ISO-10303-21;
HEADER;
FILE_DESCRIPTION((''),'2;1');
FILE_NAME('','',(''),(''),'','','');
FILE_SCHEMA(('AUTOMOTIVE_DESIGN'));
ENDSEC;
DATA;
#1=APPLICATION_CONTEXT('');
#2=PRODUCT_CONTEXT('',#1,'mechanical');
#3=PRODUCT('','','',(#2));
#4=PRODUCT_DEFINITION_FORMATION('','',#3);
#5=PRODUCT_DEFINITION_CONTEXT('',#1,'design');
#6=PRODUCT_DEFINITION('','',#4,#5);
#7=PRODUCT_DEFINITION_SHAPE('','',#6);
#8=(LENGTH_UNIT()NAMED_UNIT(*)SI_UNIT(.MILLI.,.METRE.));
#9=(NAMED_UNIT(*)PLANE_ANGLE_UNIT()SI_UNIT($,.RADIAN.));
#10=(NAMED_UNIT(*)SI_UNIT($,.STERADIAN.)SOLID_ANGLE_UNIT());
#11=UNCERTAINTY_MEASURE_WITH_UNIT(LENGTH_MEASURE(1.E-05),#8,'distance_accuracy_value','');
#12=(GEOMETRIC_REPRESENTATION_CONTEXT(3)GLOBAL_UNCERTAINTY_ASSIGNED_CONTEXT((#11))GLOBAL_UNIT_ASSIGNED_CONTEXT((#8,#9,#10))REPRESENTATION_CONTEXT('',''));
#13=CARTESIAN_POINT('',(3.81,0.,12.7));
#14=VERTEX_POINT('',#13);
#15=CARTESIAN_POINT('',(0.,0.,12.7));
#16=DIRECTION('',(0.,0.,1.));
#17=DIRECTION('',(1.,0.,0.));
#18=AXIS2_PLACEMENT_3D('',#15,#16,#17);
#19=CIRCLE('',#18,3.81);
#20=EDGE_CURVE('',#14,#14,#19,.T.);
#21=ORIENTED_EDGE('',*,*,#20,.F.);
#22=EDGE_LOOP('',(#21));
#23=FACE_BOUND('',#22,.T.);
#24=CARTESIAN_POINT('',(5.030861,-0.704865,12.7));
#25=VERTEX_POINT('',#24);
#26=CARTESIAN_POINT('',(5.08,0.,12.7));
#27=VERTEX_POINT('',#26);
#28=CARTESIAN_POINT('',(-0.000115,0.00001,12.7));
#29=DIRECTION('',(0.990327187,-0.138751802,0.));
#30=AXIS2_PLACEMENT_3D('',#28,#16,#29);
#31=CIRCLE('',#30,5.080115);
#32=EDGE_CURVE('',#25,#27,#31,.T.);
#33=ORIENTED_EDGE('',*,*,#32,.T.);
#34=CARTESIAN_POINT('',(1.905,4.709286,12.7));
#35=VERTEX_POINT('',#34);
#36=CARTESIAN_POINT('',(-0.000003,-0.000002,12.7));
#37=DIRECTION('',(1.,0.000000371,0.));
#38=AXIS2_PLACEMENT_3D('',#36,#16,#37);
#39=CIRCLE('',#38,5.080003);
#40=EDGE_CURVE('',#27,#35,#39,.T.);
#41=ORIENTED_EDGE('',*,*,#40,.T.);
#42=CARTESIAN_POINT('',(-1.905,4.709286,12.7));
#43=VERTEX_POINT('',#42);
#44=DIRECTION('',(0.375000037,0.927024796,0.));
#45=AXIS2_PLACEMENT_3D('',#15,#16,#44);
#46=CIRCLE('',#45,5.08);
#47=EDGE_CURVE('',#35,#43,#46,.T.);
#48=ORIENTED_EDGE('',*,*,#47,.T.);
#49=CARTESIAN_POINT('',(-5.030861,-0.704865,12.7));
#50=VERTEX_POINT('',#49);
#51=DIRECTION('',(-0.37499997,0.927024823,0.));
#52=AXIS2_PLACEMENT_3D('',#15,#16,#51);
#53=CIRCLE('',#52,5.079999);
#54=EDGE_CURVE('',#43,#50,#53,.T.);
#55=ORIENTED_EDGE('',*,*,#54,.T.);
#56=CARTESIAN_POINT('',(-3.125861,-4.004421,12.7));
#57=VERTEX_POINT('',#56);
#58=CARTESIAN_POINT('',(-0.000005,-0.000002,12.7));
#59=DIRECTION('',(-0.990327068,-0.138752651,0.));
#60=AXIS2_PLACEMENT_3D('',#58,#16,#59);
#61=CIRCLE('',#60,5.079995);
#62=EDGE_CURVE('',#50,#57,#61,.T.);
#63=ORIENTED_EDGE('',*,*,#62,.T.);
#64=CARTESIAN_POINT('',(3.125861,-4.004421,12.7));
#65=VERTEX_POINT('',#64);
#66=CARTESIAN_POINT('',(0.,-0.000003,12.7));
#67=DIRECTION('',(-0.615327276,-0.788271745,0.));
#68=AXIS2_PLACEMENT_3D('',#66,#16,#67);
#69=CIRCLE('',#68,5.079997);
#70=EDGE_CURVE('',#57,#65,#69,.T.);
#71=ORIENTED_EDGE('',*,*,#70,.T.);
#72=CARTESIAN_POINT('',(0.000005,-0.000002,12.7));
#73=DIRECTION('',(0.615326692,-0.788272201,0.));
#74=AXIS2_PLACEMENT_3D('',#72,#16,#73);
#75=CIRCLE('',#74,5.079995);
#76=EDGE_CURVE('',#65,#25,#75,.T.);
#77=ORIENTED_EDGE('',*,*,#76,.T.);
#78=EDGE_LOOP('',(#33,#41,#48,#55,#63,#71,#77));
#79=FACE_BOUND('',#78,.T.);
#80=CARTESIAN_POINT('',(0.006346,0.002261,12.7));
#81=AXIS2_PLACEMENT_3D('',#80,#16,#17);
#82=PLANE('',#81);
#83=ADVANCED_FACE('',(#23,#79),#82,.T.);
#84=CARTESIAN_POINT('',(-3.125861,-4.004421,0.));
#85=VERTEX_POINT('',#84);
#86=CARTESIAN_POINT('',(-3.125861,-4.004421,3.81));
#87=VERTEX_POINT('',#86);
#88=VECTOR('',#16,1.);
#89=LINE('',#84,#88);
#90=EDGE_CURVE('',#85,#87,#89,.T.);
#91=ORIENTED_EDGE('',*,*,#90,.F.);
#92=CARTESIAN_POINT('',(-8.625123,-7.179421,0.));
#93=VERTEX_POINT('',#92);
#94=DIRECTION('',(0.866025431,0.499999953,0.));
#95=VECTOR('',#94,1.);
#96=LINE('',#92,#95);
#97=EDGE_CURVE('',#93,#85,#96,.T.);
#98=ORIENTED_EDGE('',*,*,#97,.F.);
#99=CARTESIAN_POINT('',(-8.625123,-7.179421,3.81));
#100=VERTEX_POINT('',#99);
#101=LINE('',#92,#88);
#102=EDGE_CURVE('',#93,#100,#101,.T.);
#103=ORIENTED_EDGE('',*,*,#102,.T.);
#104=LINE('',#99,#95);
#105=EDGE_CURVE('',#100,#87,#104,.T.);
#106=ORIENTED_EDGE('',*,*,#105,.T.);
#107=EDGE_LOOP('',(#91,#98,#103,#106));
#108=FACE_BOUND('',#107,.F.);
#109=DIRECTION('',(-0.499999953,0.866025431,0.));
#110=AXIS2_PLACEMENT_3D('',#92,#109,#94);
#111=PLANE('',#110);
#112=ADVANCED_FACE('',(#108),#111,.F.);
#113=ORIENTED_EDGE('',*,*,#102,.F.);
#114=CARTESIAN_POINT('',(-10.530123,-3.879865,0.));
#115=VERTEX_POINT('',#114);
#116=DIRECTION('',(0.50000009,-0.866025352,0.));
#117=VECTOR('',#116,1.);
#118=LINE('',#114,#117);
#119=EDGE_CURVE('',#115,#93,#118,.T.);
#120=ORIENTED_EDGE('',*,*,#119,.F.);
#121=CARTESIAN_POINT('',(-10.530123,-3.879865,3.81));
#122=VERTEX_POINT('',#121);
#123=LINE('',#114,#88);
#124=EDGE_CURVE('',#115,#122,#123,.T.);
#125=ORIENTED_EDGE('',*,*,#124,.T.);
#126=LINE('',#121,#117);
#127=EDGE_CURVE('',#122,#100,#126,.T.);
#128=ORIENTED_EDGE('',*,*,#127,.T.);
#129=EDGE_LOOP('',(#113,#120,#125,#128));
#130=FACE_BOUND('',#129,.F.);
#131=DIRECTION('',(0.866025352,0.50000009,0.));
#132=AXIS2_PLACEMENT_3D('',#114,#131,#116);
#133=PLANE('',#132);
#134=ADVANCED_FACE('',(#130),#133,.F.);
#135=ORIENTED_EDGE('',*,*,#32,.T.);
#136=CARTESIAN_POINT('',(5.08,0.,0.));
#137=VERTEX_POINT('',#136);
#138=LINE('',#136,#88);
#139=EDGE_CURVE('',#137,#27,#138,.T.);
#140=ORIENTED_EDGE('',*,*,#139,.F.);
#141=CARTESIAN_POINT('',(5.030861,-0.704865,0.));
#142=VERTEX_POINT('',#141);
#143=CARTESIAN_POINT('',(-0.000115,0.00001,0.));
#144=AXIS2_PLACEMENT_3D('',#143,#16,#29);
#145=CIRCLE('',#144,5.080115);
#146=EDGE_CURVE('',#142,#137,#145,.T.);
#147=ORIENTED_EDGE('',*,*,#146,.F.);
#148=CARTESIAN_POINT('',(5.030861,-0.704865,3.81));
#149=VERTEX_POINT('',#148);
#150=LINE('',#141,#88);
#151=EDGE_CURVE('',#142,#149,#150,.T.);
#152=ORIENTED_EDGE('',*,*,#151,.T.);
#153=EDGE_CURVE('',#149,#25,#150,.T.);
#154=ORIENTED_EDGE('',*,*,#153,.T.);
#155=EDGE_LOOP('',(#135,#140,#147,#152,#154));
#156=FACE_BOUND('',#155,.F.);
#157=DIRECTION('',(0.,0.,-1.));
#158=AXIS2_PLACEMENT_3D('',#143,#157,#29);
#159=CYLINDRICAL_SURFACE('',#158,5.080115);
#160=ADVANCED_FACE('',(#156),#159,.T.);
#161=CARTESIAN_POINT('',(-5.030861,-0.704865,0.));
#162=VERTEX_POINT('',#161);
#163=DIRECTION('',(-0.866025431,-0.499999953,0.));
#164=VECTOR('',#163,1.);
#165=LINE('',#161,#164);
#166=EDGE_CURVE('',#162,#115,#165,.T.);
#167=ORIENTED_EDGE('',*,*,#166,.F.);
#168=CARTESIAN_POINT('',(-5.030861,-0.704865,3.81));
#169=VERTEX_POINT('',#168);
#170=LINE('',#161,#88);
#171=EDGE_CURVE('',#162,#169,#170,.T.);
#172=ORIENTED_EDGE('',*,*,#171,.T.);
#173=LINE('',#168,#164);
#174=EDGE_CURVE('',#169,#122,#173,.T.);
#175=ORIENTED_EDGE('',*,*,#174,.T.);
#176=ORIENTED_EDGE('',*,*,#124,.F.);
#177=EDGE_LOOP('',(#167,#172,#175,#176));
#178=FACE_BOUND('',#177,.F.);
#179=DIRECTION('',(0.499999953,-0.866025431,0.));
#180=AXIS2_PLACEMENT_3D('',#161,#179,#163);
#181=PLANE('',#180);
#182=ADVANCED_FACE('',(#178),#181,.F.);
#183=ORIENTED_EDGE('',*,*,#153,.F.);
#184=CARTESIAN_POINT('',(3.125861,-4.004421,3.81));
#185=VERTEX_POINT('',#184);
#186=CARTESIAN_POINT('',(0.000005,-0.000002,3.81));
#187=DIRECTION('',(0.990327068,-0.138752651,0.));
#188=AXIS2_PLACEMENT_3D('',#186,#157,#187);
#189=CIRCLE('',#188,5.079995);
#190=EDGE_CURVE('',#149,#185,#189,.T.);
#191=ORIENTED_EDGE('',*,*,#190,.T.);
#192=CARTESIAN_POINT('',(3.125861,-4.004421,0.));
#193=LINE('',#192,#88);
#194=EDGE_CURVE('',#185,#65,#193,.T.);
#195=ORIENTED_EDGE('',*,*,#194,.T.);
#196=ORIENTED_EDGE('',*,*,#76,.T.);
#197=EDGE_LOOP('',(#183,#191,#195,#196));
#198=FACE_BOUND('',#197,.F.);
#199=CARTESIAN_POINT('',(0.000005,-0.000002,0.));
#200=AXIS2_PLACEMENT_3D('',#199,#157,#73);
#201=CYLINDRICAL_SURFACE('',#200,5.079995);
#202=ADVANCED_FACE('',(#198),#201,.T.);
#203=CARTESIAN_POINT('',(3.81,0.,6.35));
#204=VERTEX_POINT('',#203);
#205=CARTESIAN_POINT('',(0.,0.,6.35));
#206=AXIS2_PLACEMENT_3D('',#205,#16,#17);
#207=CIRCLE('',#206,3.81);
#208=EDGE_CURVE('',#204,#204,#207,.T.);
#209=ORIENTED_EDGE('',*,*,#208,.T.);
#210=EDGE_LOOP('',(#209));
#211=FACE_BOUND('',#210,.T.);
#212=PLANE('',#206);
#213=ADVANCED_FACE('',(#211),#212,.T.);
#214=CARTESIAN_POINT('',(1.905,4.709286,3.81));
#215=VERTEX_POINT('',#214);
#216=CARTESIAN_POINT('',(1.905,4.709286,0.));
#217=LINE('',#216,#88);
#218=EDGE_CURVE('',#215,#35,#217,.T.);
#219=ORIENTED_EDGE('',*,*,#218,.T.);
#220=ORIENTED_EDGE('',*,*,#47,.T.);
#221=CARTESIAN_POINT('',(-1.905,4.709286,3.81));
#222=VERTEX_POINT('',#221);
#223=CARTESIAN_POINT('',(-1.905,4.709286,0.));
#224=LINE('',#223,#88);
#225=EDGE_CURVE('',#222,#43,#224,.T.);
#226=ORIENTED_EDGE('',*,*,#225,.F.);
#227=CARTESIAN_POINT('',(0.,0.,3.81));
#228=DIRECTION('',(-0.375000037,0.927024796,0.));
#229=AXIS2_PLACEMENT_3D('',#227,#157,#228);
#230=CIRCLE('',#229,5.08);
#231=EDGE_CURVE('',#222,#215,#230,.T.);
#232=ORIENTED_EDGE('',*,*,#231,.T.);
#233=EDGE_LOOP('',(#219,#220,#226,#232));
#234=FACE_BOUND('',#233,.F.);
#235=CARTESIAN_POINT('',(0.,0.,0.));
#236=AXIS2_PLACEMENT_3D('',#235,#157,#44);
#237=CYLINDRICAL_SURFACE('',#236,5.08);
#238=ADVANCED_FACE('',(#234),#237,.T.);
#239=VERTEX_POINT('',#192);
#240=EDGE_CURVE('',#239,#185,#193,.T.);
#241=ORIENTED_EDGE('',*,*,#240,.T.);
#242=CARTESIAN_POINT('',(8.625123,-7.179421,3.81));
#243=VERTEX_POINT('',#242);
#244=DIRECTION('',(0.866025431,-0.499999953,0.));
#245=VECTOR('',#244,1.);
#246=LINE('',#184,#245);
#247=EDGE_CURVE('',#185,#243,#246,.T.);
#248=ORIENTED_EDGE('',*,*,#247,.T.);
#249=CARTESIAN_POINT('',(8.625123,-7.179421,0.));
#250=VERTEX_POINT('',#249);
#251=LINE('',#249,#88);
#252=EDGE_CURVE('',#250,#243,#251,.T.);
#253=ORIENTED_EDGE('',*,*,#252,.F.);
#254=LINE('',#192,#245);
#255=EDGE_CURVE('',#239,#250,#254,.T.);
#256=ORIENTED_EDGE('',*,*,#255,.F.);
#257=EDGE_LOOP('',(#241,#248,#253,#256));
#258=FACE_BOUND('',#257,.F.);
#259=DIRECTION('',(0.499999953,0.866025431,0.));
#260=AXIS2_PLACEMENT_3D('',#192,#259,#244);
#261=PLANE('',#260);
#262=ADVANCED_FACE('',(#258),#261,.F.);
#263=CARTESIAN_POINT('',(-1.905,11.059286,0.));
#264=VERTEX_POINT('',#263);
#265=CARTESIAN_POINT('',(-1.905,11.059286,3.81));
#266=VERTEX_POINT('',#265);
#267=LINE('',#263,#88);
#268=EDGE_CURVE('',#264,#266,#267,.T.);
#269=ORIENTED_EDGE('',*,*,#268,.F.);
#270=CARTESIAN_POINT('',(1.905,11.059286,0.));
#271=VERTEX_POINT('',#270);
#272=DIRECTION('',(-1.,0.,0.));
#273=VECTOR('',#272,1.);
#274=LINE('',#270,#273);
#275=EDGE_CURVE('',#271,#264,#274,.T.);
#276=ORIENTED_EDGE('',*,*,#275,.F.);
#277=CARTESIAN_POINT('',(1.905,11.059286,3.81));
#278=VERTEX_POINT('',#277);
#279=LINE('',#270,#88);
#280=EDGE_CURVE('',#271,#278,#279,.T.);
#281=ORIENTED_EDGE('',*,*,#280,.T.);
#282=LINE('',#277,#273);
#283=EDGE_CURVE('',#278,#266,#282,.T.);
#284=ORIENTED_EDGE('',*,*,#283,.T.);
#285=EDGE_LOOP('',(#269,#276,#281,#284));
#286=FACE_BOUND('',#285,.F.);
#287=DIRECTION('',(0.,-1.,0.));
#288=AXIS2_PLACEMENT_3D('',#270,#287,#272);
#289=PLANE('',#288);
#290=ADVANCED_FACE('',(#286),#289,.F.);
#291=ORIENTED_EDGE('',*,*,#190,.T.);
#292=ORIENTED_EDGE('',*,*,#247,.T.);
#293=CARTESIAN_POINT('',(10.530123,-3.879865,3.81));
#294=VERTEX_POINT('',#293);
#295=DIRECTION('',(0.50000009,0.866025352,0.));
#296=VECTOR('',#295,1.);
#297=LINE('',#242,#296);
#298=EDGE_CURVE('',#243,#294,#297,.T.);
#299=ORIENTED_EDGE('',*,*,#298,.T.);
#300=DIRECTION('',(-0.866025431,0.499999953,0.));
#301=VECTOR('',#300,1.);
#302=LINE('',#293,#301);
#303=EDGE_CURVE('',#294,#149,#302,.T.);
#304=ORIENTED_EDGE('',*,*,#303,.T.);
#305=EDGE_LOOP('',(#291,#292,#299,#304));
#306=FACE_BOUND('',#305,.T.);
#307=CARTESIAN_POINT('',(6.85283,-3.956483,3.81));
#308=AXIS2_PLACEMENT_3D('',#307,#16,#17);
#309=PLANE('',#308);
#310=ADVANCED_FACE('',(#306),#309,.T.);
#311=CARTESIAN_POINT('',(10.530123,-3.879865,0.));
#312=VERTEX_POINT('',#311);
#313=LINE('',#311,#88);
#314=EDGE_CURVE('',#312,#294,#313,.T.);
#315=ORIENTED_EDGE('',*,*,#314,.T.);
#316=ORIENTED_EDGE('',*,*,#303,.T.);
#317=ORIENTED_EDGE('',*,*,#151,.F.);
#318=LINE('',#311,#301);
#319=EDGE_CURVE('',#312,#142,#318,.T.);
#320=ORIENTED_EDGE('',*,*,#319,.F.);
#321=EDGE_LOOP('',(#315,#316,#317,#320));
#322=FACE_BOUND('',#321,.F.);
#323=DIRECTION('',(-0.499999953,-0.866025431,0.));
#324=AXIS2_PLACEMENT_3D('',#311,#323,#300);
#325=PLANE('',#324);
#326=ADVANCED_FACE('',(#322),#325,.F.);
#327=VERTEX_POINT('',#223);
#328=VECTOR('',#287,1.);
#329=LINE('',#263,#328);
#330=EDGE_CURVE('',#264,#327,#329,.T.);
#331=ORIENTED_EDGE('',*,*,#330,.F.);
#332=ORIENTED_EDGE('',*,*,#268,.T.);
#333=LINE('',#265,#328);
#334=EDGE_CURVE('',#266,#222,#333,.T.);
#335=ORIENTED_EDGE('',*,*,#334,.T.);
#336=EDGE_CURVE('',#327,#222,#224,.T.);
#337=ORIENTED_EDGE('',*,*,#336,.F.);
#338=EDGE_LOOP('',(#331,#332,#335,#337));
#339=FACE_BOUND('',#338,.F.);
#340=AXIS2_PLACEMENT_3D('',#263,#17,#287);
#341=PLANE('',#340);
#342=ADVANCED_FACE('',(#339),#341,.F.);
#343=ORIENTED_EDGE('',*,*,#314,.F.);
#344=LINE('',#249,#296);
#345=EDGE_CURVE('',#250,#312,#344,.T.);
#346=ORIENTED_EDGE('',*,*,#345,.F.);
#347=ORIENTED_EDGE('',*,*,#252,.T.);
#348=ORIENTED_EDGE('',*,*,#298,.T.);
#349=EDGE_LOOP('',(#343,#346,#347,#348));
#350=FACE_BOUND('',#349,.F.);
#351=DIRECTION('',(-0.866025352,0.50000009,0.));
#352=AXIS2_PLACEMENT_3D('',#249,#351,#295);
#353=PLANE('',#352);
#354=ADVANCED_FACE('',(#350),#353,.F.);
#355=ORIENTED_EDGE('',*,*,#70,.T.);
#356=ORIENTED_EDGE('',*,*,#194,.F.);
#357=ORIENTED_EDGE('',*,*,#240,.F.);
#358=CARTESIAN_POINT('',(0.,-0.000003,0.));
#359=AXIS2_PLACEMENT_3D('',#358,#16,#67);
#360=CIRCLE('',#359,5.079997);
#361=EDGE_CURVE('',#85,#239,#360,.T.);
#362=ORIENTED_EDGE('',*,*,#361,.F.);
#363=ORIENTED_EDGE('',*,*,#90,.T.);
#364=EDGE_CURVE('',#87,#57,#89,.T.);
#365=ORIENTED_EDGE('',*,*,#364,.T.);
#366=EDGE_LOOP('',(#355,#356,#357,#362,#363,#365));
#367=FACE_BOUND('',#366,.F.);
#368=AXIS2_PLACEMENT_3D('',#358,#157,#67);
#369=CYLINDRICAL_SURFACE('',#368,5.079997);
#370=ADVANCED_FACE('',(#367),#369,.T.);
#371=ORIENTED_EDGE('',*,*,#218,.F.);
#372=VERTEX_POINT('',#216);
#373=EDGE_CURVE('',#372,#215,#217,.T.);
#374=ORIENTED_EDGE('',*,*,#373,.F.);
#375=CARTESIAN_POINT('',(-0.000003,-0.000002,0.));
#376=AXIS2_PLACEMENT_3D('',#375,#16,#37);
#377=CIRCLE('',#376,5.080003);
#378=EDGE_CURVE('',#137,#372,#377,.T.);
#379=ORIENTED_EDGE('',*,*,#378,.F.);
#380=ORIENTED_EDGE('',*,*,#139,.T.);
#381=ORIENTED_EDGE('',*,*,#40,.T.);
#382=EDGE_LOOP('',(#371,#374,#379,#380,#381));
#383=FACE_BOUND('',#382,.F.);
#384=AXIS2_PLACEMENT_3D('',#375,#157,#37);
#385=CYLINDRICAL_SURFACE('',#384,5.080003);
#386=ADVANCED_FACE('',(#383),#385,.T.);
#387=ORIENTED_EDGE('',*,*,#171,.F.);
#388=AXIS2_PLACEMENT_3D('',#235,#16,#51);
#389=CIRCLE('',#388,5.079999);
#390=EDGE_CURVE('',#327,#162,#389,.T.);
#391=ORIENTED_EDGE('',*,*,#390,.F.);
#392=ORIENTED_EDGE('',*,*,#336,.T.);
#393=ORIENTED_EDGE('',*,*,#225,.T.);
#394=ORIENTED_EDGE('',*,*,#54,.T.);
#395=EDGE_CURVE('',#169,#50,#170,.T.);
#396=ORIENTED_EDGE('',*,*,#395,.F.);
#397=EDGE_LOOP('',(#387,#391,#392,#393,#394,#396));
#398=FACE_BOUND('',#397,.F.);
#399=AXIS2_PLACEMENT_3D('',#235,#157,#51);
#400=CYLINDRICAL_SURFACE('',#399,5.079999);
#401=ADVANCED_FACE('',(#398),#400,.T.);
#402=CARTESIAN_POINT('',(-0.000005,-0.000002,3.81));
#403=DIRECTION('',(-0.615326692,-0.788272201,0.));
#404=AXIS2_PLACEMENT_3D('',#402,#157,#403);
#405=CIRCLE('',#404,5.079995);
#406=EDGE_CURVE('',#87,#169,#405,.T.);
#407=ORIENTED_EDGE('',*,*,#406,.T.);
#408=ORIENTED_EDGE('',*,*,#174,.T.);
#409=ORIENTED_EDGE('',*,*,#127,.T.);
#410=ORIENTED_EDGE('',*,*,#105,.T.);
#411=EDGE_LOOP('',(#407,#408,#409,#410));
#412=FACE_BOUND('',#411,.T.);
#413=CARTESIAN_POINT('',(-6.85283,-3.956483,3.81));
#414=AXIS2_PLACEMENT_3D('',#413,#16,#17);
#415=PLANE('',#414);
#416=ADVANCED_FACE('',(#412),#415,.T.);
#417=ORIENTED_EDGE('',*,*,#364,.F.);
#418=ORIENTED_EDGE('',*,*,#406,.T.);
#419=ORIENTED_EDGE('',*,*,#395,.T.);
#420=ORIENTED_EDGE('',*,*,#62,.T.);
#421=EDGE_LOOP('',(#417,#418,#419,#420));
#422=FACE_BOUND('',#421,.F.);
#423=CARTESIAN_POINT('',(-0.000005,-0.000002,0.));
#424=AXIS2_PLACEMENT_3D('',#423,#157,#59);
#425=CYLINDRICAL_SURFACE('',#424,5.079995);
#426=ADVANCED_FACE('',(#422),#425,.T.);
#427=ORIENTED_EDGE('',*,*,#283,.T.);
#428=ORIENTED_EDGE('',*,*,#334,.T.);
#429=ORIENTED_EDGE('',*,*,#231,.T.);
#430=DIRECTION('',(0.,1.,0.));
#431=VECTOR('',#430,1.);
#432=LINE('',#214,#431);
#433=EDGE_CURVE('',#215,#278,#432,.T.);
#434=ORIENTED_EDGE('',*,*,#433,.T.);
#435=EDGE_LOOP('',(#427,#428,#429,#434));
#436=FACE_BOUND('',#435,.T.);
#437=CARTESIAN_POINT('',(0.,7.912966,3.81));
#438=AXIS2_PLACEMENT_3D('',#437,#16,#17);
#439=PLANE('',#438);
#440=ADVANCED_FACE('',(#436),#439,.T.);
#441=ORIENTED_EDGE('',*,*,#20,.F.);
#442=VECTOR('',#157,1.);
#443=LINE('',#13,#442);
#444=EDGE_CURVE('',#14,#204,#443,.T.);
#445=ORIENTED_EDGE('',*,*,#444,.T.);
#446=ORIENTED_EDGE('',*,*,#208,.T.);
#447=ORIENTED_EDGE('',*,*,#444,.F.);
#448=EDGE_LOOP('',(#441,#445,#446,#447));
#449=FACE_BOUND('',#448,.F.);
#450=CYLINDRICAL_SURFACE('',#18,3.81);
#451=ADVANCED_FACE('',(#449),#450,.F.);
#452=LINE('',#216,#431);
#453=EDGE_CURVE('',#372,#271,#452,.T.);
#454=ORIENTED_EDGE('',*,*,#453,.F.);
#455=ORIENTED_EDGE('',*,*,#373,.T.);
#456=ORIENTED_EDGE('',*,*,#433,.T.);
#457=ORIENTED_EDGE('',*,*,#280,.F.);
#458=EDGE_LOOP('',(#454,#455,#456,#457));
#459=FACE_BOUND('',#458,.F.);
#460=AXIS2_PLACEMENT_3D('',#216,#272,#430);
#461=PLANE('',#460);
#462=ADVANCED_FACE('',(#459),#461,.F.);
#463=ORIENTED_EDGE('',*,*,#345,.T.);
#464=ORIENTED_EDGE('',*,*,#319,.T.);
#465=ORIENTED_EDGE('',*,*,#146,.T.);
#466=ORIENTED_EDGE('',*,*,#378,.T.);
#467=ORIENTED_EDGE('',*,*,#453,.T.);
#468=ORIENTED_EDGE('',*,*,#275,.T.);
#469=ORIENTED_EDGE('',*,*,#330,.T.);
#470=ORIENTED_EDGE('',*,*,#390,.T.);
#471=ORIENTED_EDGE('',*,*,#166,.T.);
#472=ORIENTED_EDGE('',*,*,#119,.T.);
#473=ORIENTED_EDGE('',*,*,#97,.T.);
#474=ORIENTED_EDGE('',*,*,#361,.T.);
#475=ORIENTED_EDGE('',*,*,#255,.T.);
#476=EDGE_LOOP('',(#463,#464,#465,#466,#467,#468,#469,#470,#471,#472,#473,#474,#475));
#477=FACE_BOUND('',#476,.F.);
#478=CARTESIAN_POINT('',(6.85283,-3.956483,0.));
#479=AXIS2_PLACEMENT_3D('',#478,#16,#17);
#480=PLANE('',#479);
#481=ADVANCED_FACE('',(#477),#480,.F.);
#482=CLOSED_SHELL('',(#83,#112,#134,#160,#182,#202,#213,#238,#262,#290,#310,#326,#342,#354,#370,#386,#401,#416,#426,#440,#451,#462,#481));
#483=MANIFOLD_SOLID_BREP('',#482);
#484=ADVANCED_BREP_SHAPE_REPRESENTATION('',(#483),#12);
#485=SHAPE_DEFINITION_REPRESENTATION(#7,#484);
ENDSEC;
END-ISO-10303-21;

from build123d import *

# Parameters (mm, degrees)
F1_DEPTH = 12.7
F3_DEPTH = 3.81
F4_R     = 3.81
F5_DEPTH = 6.35


with BuildPart() as f1:
    # F0 (on Top) → F1 (new body)
    with BuildSketch(Plane.XY):
        with BuildLine():
            ThreePointArc((5.030861, -0.704865), (5.0677, -0.353288), (5.08, 0))
            ThreePointArc((5.08, 0), (4.212113, 2.839806), (1.905, 4.709286))
            ThreePointArc((1.905, 4.709286), (0, 5.08), (-1.905, 4.709286))
            ThreePointArc((-1.905, 4.709286), (-4.399409, 2.54), (-5.030861, -0.704865))
            ThreePointArc((-5.030861, -0.704865), (-4.399409, -2.54), (-3.125861, -4.004421))
            ThreePointArc((-3.125861, -4.004421), (0, -5.08), (3.125861, -4.004421))
            ThreePointArc((3.125861, -4.004421), (4.399409, -2.54), (5.030861, -0.704865))
        make_face()
    extrude(amount=F1_DEPTH)

    # F2 (on Top) → F3 (join)
    with BuildSketch(Plane.XY):
        with BuildLine():
            Line((10.530123, -3.879865), (5.030861, -0.704865))
            ThreePointArc((5.030861, -0.704865), (4.399409, -2.54), (3.125861, -4.004421))
            Line((3.125861, -4.004421), (8.625123, -7.179421))
            Line((8.625123, -7.179421), (10.530123, -3.879865))
        make_face()
        with BuildLine():
            ThreePointArc((-1.905, 4.709286), (0, 5.08), (1.905, 4.709286))
            Line((1.905, 4.709286), (1.905, 11.059286))
            Line((1.905, 11.059286), (-1.905, 11.059286))
            Line((-1.905, 11.059286), (-1.905, 4.709286))
        make_face()
        with BuildLine():
            ThreePointArc((-3.125861, -4.004421), (-4.399409, -2.54), (-5.030861, -0.704865))
            Line((-5.030861, -0.704865), (-10.530123, -3.879865))
            Line((-10.530123, -3.879865), (-8.625123, -7.179421))
            Line((-8.625123, -7.179421), (-3.125861, -4.004421))
        make_face()
    extrude(amount=F3_DEPTH)

    # F4 (on face) → F5 (cut)
    with BuildSketch(Plane.XY.offset(12.7)):
        Circle(F4_R)
    extrude(amount=-F5_DEPTH, mode=Mode.SUBTRACT)


solid = f1.part
